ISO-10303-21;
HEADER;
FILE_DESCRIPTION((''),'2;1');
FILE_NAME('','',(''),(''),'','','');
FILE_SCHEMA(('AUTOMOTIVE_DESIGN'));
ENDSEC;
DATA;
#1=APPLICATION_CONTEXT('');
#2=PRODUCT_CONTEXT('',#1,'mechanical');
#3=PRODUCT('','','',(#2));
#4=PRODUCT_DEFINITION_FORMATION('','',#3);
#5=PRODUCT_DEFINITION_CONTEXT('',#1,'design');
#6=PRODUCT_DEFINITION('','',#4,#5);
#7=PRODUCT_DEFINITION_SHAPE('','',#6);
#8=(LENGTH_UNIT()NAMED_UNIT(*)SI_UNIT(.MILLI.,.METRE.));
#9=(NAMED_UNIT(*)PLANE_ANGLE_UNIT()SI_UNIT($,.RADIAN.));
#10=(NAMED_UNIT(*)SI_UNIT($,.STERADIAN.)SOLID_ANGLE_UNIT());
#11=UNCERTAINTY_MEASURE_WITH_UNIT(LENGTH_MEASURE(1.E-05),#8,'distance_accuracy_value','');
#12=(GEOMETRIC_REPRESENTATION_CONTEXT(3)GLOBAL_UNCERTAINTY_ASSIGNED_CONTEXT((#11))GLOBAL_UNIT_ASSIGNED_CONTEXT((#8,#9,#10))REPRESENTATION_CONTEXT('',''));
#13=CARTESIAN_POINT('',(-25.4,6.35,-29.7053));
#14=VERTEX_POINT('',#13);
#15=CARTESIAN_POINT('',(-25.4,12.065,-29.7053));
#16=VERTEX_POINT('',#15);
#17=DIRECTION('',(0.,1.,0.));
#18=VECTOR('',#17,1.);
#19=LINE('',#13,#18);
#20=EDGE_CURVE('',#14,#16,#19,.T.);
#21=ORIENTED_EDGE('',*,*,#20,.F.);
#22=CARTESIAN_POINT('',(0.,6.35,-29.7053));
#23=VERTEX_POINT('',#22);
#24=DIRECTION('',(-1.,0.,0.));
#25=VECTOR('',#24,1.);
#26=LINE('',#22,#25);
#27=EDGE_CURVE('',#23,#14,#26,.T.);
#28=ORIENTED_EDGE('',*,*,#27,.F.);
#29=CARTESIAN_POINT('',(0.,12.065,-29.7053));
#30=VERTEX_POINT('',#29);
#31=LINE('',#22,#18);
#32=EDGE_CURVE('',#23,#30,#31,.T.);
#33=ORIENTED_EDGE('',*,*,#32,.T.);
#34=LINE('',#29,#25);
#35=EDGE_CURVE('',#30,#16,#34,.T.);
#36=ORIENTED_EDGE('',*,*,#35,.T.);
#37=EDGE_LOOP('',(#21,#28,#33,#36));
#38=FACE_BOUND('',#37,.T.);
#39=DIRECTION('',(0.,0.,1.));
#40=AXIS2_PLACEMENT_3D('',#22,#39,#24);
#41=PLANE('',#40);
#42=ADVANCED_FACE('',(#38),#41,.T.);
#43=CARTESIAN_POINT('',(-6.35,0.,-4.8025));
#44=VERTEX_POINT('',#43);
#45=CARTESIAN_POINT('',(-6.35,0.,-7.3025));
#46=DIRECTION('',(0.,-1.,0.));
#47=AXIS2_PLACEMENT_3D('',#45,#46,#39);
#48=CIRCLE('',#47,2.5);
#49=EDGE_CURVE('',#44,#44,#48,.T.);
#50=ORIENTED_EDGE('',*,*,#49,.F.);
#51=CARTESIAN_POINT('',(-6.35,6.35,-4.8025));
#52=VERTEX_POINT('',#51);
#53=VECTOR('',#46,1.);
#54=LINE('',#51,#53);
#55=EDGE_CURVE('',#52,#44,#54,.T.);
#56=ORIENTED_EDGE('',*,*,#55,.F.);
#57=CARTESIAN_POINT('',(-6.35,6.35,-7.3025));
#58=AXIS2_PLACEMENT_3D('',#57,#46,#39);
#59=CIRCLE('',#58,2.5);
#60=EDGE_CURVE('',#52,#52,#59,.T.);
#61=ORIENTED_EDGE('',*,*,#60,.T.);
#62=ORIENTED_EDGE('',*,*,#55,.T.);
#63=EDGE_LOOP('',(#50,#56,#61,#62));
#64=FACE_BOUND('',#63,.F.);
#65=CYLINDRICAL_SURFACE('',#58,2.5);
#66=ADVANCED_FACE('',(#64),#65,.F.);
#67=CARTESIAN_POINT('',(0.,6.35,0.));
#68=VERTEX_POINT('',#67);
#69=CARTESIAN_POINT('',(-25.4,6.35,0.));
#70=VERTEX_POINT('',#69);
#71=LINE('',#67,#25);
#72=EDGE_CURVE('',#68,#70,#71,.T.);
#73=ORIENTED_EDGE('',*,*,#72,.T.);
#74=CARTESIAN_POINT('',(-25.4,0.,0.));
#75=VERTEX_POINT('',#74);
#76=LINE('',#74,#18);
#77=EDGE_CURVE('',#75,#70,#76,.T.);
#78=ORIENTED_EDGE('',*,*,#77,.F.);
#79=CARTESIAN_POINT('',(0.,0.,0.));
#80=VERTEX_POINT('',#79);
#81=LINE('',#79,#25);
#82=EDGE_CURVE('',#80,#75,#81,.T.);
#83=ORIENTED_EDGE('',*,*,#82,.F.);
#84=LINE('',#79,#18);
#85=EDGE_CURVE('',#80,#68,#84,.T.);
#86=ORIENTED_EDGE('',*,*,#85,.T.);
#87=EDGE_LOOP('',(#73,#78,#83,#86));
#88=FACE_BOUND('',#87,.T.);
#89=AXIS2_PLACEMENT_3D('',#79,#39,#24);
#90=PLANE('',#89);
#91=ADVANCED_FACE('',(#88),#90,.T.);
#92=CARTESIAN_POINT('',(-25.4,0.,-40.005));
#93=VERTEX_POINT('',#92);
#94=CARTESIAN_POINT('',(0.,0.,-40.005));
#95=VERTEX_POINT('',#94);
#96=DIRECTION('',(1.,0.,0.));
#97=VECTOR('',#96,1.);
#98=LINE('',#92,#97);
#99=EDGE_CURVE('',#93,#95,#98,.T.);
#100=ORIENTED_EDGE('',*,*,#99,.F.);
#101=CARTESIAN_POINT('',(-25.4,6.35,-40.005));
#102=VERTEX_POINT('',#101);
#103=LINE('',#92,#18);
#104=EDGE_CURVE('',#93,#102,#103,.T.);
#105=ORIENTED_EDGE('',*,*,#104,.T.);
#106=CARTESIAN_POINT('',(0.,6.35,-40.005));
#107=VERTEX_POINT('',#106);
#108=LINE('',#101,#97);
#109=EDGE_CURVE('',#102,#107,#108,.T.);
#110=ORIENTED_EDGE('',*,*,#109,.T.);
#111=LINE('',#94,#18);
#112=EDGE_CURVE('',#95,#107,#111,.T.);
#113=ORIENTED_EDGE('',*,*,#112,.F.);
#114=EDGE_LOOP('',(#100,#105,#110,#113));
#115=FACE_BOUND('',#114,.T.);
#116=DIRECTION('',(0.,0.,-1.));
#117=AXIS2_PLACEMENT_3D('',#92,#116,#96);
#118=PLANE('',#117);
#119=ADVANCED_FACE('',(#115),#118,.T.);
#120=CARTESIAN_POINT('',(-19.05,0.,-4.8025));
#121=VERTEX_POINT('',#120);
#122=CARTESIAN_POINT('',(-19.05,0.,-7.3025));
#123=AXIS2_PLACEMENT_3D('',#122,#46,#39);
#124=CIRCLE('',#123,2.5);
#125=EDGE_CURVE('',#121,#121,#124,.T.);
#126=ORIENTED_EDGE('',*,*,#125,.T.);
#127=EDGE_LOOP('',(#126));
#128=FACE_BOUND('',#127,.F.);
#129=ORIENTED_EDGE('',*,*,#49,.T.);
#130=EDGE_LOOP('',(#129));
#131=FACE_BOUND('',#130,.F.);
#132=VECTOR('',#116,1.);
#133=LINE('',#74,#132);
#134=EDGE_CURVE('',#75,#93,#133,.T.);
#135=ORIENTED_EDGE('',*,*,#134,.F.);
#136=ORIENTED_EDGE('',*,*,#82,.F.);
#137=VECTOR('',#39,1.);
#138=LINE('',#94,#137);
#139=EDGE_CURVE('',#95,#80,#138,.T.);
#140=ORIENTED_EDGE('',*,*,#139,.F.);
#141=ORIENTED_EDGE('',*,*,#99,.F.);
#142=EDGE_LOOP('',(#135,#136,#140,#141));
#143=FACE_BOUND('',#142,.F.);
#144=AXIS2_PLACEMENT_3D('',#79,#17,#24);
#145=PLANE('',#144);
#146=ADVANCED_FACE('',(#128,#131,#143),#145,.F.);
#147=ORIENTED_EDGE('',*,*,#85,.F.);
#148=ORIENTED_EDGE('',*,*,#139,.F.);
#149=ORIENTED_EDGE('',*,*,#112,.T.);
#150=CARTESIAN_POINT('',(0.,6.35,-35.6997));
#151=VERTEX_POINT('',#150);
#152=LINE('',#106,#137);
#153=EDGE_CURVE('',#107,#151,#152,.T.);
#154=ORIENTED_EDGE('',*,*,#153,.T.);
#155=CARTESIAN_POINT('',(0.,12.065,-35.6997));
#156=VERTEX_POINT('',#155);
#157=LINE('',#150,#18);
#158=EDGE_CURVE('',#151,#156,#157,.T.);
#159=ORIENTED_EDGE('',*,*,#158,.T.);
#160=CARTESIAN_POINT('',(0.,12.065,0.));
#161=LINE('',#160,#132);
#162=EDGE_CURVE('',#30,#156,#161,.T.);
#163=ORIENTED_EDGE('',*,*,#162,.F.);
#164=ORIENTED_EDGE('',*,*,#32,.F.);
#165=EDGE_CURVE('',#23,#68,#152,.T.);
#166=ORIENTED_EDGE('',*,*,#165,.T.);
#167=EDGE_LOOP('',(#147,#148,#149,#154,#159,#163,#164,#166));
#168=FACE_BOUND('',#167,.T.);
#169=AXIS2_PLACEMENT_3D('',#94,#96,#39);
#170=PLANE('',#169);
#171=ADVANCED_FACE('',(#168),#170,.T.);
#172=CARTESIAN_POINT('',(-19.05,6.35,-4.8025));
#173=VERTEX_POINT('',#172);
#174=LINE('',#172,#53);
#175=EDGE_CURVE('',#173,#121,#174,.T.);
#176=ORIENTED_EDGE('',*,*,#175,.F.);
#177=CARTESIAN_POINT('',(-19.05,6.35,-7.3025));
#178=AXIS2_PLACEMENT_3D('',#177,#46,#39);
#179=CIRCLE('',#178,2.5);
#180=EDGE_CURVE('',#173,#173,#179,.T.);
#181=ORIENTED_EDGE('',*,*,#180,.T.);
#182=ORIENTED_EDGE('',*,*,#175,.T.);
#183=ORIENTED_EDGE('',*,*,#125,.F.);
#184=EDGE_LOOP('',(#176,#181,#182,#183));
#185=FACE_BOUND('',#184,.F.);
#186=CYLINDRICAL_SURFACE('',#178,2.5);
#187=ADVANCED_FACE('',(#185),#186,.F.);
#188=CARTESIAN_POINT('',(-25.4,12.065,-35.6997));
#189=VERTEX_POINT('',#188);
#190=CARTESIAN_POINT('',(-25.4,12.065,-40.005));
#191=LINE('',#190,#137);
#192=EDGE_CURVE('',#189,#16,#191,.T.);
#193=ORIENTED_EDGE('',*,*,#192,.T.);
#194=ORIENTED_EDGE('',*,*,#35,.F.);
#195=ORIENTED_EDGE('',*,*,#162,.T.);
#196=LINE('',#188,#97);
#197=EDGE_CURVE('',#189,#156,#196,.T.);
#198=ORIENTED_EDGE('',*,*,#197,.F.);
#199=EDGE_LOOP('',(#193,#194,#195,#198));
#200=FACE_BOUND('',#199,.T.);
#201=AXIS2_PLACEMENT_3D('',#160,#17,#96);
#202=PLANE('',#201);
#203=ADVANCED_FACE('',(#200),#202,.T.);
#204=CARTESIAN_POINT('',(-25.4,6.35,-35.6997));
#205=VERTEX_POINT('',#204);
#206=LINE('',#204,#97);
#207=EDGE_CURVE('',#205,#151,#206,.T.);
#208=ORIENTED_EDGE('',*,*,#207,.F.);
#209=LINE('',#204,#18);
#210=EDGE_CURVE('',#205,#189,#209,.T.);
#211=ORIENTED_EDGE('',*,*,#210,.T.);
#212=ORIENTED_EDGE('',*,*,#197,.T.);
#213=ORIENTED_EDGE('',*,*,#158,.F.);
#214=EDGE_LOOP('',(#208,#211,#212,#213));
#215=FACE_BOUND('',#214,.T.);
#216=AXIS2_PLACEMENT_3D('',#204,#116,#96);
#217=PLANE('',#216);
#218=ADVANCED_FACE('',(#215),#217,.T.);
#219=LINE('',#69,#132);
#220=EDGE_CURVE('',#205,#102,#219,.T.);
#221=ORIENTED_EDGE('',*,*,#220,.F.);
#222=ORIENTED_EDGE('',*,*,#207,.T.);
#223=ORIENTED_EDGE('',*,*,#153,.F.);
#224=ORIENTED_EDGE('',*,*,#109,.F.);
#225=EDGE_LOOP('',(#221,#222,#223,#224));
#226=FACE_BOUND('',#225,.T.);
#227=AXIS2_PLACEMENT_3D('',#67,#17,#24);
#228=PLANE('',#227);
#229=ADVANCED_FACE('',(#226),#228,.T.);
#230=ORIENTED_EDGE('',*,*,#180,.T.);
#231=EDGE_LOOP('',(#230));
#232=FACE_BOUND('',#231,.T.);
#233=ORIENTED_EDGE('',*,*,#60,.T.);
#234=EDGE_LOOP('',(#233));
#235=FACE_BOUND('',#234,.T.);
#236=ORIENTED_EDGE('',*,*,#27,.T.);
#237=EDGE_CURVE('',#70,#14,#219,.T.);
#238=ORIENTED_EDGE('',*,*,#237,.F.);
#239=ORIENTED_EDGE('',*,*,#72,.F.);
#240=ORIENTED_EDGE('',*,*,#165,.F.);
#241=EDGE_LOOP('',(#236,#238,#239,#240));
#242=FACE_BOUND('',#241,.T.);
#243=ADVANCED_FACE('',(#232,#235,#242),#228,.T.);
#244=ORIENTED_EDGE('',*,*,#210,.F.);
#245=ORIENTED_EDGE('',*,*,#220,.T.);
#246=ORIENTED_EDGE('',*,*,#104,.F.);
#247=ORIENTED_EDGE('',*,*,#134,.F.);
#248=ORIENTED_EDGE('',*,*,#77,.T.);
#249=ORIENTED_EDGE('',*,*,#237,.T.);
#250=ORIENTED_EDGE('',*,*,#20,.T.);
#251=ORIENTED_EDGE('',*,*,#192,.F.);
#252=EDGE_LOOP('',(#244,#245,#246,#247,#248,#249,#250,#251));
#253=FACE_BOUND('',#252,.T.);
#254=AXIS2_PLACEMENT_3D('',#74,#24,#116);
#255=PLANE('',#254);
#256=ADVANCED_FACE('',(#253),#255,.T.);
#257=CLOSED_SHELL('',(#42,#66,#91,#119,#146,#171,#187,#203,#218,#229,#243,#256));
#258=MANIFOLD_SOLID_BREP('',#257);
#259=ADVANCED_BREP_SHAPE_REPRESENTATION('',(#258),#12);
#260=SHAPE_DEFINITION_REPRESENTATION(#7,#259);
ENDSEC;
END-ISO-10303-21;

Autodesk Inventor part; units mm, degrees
ref_plane "YZ Plane" through (0, 0, 0) normal (1, 0, 0) x (0, 1, 0)
ref_plane "XZ Plane" through (0, 0, 0) normal (0, 1, 0) x (-1, 0, 0)
ref_plane "XY Plane" through (0, 0, 0) normal (0, 0, 1) x (1, 0, 0)
sketch "Sketch1" plane through (0, 0, 0) normal (0, 1, 0) x (-1, 0, 0)
  line L0 (0, 0) -> (25.4, 0)
  line L1 (25.4, 0) -> (25.4, -40.005)
  line L2 (25.4, -40.005) -> (0, -40.005)
  line L3 (0, -40.005) -> (0, 0)
  dimension "d0" = 40.005
  dimension "d1" = 25.4
extrude "Extrusion1" add sketch "Sketch1" along normal blind 6.35
sketch "Sketch2" plane through (0, 6.35, 0) normal (0, 1, 0) x (1, 0, 0)
  line L0 (-25.4, 40.005) -> (-25.4, 0) projected
  line L1 (0, 0) -> (0, 40.005) projected
  line L2 (-25.4, 35.6997) -> (0, 35.6997)
  line L3 (0, 35.6997) -> (0, 29.7053)
  line L4 (0, 29.7053) -> (-25.4, 29.7053)
  line L5 (-25.4, 29.7053) -> (-25.4, 35.6997)
  line L6 (-25.4, 32.7025) -> (0, 32.7025) construction
  line L7 (-25.4, 7.3025) -> (0, 7.3025)
  line L8 (-25.4, 0) -> (0, 0) projected
  line L9 (0, 40.005) -> (-25.4, 40.005) projected
  line L10 (-25.4, 29.7053) -> (0, 29.7053)
  line L11 (0, 29.7053) -> (0, 35.6997)
  line L12 (0, 35.6997) -> (-25.4, 35.6997)
  line L13 (-25.4, 35.6997) -> (-25.4, 29.7053)
  point P0 (-19.05, 7.3025)
  point P1 (-6.35, 7.3025)
  dimension "d4" = 5.9944
  dimension "d5" = 25.4
  dimension "d6" = 7.3025
  dimension "d7" = 40.005
  dimension "d8" = 12.7
  dimension "d9" = 25.4
  dimension "d10" = 6.35
extrude "Extrusion2" add sketch "Sketch2" along normal blind 5.715 contours L2 L1 L4 L0
hole "Hole1" at (-19.05, 6.35, -7.3025) at (-6.35, 6.35, -7.3025) direction (0, -1, 0) diameter 5 end through all
equation "\"d6\" = -0.5 * d5 + 0.5 * d7"
equation "\"d10\" = -0.5 * d8 + 0.5 * d9"
properties part number "slider v1"
